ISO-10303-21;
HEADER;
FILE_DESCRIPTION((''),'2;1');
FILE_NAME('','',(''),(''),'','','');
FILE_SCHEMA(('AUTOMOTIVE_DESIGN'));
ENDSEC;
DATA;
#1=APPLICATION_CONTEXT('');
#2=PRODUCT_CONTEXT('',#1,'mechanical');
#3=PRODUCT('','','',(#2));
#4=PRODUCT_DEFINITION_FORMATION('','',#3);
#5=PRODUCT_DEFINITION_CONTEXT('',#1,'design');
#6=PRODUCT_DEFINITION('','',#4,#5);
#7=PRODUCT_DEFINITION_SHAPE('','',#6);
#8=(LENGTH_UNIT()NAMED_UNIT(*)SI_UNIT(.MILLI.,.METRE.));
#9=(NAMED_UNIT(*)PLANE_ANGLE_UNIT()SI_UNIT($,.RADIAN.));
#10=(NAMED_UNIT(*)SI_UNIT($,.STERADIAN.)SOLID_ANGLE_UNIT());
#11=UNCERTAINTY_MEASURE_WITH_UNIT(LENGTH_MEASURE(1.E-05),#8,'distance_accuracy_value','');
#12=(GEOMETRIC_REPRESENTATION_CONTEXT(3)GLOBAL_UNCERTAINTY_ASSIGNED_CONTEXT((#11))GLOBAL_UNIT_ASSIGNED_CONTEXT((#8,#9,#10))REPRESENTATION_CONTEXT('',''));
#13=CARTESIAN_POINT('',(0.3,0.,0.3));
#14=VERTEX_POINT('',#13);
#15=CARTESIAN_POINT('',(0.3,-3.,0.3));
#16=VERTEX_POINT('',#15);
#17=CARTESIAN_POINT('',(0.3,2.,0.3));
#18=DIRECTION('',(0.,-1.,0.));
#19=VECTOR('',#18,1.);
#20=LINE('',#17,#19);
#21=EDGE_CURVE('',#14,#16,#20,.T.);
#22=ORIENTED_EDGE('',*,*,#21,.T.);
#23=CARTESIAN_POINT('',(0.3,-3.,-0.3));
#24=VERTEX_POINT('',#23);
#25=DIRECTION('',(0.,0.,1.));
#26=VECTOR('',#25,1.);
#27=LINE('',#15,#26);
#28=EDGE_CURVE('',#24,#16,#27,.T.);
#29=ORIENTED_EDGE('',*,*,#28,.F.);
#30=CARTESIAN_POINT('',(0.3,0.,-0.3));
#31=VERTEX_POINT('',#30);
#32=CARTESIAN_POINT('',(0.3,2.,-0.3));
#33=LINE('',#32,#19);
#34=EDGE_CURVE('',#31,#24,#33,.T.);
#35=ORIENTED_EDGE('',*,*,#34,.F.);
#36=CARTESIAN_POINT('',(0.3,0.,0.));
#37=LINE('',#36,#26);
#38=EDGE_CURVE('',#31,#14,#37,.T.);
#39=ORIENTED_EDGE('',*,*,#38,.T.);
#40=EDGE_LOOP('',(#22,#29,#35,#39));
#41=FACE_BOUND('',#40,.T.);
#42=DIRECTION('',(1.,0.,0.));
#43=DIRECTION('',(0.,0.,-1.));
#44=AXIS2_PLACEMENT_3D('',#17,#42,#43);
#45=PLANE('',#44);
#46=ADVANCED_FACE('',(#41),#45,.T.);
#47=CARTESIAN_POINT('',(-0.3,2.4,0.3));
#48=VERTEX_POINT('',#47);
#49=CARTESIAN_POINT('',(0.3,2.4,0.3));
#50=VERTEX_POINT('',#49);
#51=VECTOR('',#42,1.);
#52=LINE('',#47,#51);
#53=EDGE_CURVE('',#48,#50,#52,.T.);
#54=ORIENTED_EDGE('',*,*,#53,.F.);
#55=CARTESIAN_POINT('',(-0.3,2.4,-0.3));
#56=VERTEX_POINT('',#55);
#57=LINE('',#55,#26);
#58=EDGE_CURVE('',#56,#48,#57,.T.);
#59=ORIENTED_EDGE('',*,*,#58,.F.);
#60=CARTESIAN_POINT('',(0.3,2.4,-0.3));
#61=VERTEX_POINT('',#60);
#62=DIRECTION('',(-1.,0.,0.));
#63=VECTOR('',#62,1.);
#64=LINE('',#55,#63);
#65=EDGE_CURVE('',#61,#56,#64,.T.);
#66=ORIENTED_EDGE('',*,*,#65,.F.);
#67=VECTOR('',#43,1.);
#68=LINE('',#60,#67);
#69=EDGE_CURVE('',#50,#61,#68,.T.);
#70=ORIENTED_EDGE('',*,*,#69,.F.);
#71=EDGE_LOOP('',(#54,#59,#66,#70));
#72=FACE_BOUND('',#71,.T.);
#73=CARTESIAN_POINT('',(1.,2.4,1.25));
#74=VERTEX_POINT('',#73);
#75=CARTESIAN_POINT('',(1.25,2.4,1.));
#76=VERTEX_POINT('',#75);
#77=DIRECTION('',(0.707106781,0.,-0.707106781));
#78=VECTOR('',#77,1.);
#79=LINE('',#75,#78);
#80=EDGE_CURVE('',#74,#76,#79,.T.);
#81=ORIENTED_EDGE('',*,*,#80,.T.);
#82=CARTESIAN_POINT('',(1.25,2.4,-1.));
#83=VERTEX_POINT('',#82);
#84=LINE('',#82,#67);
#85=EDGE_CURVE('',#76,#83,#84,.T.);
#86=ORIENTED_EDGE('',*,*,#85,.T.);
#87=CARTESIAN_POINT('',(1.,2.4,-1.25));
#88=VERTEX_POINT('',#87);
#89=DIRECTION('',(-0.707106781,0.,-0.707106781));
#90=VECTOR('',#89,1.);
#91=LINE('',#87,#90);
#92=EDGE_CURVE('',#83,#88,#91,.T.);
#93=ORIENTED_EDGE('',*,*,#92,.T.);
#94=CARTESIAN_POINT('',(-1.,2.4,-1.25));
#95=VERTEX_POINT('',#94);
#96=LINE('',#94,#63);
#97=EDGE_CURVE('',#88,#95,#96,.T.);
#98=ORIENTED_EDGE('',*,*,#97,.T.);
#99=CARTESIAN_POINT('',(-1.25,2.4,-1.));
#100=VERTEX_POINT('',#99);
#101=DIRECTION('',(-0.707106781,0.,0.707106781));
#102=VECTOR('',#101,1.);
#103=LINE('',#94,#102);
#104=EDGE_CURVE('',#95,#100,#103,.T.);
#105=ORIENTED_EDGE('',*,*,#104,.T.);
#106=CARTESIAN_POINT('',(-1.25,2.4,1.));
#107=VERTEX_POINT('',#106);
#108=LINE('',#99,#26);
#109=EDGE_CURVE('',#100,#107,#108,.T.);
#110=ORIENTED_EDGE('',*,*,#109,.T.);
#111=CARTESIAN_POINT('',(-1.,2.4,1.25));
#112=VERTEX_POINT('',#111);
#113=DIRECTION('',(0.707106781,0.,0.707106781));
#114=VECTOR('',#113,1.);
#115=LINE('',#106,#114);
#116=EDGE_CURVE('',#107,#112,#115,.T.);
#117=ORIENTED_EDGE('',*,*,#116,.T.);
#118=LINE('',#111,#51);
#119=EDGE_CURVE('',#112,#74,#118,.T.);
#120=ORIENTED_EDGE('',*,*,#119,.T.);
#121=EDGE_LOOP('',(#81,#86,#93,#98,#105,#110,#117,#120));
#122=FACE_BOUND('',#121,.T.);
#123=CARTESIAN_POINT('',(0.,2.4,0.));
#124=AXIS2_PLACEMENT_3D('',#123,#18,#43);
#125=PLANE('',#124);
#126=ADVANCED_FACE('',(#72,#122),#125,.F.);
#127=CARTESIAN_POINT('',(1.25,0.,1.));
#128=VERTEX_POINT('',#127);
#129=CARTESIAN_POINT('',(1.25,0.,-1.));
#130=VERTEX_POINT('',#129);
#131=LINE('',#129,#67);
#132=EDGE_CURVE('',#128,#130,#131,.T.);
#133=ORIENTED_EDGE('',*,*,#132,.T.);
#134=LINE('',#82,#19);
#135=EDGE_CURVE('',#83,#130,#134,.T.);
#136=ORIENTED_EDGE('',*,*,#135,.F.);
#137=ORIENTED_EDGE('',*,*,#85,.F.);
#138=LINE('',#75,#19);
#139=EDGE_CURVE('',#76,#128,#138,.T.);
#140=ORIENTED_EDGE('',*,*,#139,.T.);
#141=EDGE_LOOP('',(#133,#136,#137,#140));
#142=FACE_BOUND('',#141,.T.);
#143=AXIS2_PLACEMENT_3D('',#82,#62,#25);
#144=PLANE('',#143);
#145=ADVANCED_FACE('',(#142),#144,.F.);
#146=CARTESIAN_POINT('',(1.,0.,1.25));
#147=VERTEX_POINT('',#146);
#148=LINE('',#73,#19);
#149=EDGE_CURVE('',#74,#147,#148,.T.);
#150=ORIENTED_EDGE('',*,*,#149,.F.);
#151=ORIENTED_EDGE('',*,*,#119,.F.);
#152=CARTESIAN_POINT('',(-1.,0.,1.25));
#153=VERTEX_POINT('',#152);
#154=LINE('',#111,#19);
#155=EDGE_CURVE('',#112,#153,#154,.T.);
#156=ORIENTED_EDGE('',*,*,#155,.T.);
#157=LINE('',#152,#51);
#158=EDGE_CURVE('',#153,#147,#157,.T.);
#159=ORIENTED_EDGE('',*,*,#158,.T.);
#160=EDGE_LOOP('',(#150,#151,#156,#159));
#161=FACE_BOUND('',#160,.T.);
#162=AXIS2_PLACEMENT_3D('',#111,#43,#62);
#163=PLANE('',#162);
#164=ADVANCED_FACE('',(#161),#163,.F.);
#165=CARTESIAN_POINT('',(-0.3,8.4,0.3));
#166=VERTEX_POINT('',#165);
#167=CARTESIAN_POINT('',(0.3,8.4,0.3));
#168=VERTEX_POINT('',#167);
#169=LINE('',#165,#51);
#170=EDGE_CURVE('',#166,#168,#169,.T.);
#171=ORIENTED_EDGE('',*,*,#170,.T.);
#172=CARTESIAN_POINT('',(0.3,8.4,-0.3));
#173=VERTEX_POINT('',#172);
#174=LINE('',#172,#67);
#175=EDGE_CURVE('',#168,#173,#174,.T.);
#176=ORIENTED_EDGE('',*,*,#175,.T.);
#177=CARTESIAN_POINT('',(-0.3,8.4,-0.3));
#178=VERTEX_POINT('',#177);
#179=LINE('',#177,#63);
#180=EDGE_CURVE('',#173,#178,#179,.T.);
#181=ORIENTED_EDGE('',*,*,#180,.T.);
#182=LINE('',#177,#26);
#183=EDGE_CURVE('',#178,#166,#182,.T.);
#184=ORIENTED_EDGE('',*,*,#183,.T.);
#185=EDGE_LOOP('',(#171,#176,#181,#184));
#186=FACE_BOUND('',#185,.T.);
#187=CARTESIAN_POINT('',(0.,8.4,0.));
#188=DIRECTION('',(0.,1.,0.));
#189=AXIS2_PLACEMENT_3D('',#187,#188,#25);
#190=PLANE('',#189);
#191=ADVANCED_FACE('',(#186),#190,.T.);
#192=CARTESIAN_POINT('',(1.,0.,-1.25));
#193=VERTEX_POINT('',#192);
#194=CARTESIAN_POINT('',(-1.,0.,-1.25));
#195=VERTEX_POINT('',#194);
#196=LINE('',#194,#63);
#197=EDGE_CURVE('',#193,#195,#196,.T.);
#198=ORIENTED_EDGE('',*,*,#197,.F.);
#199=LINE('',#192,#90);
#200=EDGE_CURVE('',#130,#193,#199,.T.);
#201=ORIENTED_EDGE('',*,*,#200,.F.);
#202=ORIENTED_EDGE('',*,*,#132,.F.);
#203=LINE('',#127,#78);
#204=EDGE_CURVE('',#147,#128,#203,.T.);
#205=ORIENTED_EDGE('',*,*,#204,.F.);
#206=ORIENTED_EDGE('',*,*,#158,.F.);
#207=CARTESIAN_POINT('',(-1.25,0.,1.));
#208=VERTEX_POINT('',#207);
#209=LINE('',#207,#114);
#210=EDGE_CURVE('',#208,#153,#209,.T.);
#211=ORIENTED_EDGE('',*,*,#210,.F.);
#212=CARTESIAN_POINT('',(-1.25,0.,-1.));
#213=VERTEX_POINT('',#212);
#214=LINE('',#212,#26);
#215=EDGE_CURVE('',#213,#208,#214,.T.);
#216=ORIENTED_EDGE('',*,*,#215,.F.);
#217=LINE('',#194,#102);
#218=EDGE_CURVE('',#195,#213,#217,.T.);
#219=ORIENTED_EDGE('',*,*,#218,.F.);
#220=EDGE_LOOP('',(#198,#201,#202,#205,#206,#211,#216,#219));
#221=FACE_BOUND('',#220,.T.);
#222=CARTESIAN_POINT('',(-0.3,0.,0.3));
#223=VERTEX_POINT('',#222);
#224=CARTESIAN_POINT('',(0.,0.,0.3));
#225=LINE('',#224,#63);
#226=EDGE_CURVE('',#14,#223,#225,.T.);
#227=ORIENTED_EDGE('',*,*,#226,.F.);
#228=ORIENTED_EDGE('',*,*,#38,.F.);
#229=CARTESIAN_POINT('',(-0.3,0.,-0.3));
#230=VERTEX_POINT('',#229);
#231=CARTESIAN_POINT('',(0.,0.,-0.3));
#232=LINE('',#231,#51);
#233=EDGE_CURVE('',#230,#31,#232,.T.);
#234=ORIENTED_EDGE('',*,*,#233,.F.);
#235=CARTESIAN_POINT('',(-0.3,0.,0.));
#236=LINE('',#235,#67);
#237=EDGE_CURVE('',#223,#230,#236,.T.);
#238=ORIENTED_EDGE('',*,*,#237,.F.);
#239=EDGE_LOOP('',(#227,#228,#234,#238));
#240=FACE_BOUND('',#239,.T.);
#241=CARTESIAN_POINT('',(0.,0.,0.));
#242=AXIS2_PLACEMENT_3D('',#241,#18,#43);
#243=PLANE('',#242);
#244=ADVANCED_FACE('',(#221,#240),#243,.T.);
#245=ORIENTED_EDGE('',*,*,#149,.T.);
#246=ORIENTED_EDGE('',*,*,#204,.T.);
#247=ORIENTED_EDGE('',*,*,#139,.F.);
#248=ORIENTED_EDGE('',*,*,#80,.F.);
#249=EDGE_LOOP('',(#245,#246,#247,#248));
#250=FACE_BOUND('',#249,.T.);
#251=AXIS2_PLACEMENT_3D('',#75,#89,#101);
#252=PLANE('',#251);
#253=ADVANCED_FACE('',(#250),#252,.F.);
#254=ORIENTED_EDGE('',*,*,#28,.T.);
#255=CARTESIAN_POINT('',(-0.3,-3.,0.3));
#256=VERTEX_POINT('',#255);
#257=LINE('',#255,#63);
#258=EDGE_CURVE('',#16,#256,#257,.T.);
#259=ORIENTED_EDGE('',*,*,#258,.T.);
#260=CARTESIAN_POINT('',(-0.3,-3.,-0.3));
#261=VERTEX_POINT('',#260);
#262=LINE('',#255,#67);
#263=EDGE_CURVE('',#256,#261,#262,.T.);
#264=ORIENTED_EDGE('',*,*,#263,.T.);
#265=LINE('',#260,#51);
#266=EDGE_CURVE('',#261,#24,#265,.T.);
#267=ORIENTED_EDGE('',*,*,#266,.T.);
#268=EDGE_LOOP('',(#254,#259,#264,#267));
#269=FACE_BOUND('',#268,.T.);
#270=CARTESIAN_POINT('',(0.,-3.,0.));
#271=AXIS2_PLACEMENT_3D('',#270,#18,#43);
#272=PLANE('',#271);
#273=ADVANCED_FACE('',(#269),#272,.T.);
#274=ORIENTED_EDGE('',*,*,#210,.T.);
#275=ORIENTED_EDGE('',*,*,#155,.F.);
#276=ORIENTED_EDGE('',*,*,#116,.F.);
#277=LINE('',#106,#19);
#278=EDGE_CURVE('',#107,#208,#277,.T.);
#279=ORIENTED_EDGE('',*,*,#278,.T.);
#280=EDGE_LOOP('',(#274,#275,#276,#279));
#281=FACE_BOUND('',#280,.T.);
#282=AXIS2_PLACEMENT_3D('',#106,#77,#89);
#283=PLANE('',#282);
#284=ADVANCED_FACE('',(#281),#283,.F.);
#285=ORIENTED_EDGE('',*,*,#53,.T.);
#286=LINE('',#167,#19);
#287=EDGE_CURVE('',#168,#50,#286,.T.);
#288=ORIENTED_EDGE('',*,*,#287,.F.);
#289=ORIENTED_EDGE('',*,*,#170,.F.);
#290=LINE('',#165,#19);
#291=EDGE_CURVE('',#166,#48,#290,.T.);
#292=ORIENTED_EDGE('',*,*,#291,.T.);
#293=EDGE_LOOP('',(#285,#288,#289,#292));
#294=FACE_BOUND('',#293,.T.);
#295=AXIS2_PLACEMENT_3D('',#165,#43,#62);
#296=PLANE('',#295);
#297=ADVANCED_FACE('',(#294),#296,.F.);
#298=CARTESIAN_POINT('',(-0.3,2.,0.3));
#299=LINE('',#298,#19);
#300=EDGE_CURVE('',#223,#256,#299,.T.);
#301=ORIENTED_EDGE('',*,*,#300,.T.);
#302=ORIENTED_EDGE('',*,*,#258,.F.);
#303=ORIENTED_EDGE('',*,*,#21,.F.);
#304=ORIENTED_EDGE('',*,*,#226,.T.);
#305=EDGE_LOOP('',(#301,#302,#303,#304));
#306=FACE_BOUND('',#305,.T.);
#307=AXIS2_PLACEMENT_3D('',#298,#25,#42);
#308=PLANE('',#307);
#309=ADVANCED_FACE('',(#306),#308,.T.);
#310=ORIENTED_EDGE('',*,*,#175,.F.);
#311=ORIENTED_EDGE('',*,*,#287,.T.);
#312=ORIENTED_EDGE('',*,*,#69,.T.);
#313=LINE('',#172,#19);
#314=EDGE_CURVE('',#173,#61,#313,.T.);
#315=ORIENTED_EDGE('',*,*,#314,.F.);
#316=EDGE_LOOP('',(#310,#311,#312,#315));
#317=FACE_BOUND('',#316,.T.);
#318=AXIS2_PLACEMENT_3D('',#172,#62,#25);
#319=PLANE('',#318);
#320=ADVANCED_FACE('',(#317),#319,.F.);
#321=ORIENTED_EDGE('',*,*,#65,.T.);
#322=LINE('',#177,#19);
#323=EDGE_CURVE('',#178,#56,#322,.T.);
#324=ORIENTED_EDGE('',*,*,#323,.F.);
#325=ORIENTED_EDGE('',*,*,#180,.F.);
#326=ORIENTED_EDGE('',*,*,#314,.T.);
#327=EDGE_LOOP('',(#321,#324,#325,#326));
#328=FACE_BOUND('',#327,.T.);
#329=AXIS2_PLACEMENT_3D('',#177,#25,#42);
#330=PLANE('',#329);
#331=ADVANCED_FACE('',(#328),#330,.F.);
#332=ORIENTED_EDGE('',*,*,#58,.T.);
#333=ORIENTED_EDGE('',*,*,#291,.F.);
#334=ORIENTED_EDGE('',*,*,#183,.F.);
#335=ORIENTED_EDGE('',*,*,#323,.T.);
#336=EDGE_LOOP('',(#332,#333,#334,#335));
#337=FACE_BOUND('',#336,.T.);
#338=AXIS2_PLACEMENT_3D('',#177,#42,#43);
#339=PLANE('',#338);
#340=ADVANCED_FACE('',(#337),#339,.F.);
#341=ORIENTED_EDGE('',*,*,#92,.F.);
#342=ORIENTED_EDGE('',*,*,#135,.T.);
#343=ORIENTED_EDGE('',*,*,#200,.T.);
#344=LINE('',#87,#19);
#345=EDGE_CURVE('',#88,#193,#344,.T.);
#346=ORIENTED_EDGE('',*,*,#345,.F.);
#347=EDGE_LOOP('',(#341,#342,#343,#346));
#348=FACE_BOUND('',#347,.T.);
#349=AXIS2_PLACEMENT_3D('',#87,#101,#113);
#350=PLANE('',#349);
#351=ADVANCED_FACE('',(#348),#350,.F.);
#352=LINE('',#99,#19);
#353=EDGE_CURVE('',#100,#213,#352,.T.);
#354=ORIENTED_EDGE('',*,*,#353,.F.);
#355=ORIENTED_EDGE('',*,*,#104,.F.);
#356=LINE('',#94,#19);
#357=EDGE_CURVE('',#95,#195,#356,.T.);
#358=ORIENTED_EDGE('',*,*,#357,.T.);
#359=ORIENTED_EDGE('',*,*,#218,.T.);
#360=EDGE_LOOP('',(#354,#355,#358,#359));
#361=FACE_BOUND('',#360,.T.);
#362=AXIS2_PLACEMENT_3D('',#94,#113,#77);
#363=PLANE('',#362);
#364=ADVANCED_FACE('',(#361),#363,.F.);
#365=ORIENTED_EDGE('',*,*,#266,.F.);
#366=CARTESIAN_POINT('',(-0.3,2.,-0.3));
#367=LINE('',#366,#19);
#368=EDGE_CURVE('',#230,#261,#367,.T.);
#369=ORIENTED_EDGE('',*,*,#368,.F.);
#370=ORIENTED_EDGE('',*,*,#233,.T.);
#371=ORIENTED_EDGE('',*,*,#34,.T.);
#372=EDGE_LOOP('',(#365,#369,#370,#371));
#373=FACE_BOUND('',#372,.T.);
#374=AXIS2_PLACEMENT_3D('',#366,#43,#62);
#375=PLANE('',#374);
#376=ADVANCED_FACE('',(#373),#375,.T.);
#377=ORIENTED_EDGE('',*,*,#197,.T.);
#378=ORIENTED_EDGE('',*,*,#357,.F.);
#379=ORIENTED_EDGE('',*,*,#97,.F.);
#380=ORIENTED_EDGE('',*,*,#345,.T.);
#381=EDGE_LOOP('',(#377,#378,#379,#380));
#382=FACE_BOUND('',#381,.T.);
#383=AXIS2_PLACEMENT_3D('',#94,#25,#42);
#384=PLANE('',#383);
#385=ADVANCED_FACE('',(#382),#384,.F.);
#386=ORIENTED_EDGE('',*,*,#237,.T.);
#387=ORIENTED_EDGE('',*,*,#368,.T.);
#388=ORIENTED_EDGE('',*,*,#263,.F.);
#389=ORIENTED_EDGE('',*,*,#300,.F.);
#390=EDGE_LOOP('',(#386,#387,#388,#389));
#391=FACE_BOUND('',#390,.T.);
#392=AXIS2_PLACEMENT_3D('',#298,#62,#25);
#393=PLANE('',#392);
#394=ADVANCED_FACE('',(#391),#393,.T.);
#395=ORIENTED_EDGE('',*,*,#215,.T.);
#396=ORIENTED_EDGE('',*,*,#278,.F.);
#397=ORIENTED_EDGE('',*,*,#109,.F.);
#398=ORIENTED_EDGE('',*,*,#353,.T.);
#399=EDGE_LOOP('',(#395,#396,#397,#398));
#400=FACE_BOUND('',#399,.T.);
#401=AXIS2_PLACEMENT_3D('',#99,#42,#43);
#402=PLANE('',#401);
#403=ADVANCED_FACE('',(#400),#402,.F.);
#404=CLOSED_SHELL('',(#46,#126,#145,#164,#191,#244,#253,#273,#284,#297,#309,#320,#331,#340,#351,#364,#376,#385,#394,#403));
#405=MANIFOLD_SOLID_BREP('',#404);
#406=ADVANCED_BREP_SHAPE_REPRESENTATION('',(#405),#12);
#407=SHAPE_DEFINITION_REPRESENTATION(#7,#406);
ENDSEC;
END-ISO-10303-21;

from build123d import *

# Parameters (mm, degrees)
SALIENTE_EXTRUIR1_DEPTH      = 2.4
CROQUIS2_W                   = 0.6
CROQUIS2_H                   = 0.6
SALIENTE_EXTRUIR2_DEPTH      = 6
SALIENTE_EXTRUIR3_DEPTH      = 3
SALIENTE_EXTRUIR3_DEPTH_BACK = 2
CROQUIS3_W                   = 0.6
CROQUIS3_H                   = 0.6


with BuildPart() as part:
    # Croquis1 → Saliente-Extruir1 (new body)
    with BuildSketch(Plane(origin=(0, 0, 0), x_dir=(1, 0, 0), z_dir=(0, 1, 0))):
        Polygon((-1, 1.25), (1, 1.25), (1.25, 1), (1.25, -1), (1, -1.25), (-1, -1.25), (-1.25, -1), (-1.25, 1), align=None)
    extrude(amount=SALIENTE_EXTRUIR1_DEPTH)

    # Croquis2 → Saliente-Extruir2 (add)
    with BuildSketch(Plane(origin=(0, 2.4, 0), x_dir=(1, 0, 0), z_dir=(0, 1, 0))):
        Rectangle(CROQUIS2_W, CROQUIS2_H)
    extrude(amount=SALIENTE_EXTRUIR2_DEPTH)

    # Croquis3 → Saliente-Extruir3 (add, two sides: drawn at the far end of the back side and taken through both)
    with BuildSketch(Plane.XZ.offset(-SALIENTE_EXTRUIR3_DEPTH_BACK)):
        Rectangle(CROQUIS3_W, CROQUIS3_H)
    extrude(amount=SALIENTE_EXTRUIR3_DEPTH + SALIENTE_EXTRUIR3_DEPTH_BACK)


solid = part.part
